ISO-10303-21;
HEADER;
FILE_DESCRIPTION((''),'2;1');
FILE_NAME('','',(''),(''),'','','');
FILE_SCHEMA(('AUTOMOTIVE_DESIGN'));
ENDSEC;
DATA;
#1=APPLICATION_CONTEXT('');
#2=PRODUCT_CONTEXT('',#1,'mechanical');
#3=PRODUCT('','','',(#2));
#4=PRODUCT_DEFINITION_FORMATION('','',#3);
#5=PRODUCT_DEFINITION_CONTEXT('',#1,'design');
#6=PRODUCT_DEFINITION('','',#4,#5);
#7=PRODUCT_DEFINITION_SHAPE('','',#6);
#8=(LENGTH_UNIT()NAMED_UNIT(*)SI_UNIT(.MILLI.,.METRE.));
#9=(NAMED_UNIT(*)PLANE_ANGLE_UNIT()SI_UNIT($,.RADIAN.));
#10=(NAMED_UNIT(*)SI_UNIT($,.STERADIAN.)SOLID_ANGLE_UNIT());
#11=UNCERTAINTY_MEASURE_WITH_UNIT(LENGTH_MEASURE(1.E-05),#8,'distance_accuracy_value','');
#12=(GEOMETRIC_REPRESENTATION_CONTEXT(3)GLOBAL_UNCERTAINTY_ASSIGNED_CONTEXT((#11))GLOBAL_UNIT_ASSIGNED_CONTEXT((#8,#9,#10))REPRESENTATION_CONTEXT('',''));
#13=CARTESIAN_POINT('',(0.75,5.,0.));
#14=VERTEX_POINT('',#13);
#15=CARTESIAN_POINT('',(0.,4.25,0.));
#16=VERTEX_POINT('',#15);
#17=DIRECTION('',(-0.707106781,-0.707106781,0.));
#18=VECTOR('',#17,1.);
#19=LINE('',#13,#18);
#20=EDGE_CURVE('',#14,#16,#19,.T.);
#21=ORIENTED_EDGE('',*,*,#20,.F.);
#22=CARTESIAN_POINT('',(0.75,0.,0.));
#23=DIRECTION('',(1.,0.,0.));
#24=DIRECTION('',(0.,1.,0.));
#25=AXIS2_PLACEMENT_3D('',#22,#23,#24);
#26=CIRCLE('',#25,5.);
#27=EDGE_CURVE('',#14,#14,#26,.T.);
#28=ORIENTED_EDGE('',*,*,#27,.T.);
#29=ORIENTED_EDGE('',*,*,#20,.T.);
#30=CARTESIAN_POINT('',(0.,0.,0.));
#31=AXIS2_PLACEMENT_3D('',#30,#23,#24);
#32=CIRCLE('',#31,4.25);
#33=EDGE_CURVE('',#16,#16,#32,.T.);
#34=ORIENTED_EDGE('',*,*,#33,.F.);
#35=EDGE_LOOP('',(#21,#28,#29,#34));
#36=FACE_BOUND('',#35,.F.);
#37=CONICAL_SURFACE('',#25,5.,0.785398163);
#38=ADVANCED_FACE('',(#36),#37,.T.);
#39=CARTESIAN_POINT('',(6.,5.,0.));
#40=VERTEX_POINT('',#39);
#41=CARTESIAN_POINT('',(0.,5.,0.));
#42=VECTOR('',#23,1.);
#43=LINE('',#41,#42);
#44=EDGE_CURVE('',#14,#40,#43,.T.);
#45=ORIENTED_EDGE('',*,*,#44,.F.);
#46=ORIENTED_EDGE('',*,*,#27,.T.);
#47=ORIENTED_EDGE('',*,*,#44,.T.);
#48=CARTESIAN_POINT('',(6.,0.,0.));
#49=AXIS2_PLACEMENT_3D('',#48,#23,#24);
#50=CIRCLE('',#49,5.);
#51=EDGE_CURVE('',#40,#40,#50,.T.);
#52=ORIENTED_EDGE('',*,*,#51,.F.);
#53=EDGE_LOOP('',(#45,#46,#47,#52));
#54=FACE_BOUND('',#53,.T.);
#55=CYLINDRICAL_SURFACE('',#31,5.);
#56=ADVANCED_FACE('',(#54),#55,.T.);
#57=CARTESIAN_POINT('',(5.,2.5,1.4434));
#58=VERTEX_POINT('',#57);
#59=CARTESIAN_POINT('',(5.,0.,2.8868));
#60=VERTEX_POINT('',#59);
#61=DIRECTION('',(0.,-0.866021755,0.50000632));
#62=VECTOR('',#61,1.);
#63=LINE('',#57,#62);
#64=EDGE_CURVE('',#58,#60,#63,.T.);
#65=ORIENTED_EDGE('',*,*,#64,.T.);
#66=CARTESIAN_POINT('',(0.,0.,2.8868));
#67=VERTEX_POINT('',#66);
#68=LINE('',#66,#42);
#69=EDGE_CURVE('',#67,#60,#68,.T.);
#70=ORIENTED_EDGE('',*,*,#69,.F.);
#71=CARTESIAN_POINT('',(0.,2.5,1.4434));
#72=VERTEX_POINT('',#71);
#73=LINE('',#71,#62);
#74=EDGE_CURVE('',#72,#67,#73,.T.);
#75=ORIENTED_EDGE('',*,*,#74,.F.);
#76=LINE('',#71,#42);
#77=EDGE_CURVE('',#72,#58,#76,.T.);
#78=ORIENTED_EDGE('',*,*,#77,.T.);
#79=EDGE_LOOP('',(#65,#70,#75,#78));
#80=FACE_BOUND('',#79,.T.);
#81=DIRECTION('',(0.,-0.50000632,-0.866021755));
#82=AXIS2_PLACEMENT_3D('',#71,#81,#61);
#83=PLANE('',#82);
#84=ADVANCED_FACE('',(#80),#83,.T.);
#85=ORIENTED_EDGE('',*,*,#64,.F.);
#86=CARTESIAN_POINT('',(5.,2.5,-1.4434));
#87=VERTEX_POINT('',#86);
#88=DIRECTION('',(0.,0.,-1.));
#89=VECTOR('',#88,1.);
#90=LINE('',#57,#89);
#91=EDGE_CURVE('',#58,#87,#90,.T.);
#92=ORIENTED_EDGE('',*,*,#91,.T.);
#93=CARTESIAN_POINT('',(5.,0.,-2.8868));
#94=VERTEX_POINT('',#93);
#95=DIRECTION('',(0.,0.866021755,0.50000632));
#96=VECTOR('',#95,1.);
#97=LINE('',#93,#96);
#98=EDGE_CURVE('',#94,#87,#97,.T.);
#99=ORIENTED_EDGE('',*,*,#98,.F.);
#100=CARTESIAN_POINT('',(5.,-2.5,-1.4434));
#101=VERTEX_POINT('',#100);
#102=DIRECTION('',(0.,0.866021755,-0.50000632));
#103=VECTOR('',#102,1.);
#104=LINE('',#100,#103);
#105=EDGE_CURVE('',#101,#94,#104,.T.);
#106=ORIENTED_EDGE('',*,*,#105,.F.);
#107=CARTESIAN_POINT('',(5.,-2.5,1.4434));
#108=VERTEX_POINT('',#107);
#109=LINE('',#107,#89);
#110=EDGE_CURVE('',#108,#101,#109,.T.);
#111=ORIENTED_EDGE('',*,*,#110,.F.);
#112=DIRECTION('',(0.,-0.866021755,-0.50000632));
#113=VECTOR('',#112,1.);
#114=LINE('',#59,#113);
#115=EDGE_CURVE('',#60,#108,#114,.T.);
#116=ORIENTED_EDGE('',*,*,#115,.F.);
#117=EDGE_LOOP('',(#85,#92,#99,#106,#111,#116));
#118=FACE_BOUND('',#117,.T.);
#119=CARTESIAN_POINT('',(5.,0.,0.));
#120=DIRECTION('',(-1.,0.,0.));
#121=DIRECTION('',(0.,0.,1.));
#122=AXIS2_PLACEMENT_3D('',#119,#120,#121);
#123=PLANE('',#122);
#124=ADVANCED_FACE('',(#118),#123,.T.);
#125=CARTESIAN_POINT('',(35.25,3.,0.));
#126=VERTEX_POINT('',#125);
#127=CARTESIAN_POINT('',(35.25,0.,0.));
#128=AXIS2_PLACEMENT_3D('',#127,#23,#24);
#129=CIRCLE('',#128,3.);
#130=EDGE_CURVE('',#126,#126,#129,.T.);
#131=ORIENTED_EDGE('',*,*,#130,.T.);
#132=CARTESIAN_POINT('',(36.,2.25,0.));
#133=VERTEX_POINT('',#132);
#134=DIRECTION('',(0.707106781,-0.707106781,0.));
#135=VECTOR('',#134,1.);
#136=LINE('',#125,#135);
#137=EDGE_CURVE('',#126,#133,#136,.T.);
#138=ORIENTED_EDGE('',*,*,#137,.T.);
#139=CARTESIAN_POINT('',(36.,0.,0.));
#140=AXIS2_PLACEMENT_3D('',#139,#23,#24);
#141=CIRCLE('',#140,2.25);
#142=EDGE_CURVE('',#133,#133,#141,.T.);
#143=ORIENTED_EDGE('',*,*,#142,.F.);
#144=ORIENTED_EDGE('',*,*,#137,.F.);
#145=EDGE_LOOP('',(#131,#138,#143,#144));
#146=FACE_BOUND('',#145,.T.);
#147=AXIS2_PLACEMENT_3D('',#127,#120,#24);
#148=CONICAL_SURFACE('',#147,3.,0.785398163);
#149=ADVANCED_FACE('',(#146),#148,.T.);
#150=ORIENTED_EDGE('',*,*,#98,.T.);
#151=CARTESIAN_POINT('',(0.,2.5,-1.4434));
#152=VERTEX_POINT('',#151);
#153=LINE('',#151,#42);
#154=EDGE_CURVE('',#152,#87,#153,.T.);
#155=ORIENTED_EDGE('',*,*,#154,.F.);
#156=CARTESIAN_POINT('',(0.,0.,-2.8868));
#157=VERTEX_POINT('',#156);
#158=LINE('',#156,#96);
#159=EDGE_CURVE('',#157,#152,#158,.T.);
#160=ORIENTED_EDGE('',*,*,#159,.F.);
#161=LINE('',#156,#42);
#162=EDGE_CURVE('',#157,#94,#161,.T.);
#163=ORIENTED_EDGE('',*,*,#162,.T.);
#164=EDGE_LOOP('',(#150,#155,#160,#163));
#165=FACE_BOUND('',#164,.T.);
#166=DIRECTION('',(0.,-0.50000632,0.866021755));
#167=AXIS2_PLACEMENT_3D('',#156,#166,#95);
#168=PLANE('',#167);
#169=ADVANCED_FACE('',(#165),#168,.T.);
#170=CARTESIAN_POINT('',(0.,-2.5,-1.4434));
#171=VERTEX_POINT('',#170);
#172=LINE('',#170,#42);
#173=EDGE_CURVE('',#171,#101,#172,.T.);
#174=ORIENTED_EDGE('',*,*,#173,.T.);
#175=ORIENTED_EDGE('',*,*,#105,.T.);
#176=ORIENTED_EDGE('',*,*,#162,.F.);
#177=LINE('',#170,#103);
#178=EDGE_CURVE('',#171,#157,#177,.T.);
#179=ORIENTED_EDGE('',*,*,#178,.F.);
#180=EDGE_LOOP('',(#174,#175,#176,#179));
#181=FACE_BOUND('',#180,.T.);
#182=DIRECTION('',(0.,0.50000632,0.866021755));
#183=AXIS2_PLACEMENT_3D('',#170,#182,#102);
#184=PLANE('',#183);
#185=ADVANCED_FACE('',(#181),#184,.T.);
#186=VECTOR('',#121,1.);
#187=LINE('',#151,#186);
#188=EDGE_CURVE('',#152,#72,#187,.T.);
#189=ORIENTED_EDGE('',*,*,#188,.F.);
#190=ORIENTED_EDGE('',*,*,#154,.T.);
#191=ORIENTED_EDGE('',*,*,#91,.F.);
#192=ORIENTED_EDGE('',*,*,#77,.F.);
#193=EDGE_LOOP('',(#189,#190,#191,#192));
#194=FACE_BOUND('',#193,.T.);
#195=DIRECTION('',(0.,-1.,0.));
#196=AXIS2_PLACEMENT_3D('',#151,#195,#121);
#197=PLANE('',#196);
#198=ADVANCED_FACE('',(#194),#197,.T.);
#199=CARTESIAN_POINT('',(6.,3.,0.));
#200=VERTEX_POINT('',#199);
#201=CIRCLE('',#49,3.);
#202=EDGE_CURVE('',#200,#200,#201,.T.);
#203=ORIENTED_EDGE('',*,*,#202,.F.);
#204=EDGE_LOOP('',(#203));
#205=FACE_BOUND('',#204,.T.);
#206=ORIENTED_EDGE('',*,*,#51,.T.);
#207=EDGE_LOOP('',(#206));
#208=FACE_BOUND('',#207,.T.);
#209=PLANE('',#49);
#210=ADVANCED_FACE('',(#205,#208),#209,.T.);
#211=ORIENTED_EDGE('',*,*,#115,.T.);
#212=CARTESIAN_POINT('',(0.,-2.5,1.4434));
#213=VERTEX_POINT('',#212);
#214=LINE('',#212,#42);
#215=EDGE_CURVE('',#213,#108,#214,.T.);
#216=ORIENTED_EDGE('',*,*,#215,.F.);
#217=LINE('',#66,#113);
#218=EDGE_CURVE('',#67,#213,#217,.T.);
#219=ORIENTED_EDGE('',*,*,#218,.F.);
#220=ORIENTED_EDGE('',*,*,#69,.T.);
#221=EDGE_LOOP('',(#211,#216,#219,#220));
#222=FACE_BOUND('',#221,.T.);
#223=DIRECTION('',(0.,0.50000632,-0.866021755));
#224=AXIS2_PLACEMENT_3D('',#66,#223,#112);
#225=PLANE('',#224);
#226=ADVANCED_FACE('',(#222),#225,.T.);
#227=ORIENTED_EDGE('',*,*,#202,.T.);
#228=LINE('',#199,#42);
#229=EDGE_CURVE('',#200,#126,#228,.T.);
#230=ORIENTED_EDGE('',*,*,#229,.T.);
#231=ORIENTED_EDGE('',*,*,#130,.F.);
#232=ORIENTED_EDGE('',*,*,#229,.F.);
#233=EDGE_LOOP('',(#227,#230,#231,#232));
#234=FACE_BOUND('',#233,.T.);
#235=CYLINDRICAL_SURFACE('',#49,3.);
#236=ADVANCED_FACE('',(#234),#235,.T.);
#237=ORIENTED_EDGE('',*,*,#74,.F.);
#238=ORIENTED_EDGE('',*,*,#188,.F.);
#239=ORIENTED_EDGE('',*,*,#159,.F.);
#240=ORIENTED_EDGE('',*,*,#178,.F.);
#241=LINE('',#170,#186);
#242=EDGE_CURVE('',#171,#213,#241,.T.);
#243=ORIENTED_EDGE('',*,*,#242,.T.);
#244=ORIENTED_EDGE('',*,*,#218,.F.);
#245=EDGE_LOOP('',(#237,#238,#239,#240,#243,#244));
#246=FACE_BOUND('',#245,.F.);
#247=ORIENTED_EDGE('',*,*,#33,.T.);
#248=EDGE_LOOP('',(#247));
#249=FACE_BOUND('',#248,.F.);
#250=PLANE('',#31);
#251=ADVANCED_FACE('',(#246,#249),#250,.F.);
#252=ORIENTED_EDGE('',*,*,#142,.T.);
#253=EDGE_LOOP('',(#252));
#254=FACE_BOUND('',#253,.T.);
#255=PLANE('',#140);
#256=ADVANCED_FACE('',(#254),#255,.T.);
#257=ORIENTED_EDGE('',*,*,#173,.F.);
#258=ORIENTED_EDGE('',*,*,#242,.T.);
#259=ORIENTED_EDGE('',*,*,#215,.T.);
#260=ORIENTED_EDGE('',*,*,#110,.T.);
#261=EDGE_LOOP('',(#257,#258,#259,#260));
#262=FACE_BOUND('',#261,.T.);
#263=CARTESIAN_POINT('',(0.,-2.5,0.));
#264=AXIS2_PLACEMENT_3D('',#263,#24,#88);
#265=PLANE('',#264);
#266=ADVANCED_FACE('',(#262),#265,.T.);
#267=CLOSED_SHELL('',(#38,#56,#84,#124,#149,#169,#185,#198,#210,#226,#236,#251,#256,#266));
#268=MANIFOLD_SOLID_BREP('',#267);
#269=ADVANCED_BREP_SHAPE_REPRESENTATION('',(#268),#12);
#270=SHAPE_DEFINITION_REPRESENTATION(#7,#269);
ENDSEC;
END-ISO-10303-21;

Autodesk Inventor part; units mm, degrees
ref_plane "YZ Plane" through (0, 0, 0) normal (1, 0, 0) x (0, 1, 0)
ref_plane "XZ Plane" through (0, 0, 0) normal (0, 1, 0) x (-1, 0, 0)
ref_plane "XY Plane" through (0, 0, 0) normal (0, 0, 1) x (1, 0, 0)
sketch "Sketch1" plane through (0, 0, 0) normal (0, 0, 1) x (1, 0, 0)
  line L0 (0, 6) -> (0, -1) projected
  line L1 (-7.2, 0) -> (43.2, 0) projected
  line L2 (0, 5) -> (6, 5)
  line L3 (6, 5) -> (6, 3)
  line L4 (6, 3) -> (36, 3)
  line L5 (36, 3) -> (36, 0)
  line L6 (0, 0) -> (36, 0)
  line L7 (0, 5) -> (0, 0)
  dimension "d0" = 30
  dimension "d1" = 10
  dimension "d2" = 6
  dimension "d3" = 6
revolve "Revolution1" add sketch "Sketch1" angle 360 about axis through (0, 0, 0) along (1, 0, 0)
sketch "Sketch2" plane through (0, 0, 0) normal (-1, 0, 0) x (0, 0, 1)
  line L0 (-7, 0) -> (7, 0) projected
  line L1 (0, 7) -> (0, -7) projected
  line L2 (1.4434, -2.5) -> (-1.4434, -2.5)
  line L3 (-1.4434, -2.5) -> (-2.8868, 0)
  line L4 (-2.8868, 0) -> (-1.4434, 2.5)
  line L5 (-1.4434, 2.5) -> (1.4434, 2.5)
  line L6 (1.4434, 2.5) -> (2.8868, 0)
  line L7 (2.8868, 0) -> (1.4434, -2.5)
  point P0 (0, 0)
  point P1 (0, 0)
  dimension "d5" = 5
extrude "Extrusion1" cut sketch "Sketch2" against normal blind 5
thread "Thread1" size "M6x1" class "6g" standard "ANSI Metric M Profile" full length
chamfer "Chamfer1" distance 0.75 angle 45 2 edges at (0, -5, 0) (36, -3, 0)
properties part number "M6x30" material "Stainless Steel"
